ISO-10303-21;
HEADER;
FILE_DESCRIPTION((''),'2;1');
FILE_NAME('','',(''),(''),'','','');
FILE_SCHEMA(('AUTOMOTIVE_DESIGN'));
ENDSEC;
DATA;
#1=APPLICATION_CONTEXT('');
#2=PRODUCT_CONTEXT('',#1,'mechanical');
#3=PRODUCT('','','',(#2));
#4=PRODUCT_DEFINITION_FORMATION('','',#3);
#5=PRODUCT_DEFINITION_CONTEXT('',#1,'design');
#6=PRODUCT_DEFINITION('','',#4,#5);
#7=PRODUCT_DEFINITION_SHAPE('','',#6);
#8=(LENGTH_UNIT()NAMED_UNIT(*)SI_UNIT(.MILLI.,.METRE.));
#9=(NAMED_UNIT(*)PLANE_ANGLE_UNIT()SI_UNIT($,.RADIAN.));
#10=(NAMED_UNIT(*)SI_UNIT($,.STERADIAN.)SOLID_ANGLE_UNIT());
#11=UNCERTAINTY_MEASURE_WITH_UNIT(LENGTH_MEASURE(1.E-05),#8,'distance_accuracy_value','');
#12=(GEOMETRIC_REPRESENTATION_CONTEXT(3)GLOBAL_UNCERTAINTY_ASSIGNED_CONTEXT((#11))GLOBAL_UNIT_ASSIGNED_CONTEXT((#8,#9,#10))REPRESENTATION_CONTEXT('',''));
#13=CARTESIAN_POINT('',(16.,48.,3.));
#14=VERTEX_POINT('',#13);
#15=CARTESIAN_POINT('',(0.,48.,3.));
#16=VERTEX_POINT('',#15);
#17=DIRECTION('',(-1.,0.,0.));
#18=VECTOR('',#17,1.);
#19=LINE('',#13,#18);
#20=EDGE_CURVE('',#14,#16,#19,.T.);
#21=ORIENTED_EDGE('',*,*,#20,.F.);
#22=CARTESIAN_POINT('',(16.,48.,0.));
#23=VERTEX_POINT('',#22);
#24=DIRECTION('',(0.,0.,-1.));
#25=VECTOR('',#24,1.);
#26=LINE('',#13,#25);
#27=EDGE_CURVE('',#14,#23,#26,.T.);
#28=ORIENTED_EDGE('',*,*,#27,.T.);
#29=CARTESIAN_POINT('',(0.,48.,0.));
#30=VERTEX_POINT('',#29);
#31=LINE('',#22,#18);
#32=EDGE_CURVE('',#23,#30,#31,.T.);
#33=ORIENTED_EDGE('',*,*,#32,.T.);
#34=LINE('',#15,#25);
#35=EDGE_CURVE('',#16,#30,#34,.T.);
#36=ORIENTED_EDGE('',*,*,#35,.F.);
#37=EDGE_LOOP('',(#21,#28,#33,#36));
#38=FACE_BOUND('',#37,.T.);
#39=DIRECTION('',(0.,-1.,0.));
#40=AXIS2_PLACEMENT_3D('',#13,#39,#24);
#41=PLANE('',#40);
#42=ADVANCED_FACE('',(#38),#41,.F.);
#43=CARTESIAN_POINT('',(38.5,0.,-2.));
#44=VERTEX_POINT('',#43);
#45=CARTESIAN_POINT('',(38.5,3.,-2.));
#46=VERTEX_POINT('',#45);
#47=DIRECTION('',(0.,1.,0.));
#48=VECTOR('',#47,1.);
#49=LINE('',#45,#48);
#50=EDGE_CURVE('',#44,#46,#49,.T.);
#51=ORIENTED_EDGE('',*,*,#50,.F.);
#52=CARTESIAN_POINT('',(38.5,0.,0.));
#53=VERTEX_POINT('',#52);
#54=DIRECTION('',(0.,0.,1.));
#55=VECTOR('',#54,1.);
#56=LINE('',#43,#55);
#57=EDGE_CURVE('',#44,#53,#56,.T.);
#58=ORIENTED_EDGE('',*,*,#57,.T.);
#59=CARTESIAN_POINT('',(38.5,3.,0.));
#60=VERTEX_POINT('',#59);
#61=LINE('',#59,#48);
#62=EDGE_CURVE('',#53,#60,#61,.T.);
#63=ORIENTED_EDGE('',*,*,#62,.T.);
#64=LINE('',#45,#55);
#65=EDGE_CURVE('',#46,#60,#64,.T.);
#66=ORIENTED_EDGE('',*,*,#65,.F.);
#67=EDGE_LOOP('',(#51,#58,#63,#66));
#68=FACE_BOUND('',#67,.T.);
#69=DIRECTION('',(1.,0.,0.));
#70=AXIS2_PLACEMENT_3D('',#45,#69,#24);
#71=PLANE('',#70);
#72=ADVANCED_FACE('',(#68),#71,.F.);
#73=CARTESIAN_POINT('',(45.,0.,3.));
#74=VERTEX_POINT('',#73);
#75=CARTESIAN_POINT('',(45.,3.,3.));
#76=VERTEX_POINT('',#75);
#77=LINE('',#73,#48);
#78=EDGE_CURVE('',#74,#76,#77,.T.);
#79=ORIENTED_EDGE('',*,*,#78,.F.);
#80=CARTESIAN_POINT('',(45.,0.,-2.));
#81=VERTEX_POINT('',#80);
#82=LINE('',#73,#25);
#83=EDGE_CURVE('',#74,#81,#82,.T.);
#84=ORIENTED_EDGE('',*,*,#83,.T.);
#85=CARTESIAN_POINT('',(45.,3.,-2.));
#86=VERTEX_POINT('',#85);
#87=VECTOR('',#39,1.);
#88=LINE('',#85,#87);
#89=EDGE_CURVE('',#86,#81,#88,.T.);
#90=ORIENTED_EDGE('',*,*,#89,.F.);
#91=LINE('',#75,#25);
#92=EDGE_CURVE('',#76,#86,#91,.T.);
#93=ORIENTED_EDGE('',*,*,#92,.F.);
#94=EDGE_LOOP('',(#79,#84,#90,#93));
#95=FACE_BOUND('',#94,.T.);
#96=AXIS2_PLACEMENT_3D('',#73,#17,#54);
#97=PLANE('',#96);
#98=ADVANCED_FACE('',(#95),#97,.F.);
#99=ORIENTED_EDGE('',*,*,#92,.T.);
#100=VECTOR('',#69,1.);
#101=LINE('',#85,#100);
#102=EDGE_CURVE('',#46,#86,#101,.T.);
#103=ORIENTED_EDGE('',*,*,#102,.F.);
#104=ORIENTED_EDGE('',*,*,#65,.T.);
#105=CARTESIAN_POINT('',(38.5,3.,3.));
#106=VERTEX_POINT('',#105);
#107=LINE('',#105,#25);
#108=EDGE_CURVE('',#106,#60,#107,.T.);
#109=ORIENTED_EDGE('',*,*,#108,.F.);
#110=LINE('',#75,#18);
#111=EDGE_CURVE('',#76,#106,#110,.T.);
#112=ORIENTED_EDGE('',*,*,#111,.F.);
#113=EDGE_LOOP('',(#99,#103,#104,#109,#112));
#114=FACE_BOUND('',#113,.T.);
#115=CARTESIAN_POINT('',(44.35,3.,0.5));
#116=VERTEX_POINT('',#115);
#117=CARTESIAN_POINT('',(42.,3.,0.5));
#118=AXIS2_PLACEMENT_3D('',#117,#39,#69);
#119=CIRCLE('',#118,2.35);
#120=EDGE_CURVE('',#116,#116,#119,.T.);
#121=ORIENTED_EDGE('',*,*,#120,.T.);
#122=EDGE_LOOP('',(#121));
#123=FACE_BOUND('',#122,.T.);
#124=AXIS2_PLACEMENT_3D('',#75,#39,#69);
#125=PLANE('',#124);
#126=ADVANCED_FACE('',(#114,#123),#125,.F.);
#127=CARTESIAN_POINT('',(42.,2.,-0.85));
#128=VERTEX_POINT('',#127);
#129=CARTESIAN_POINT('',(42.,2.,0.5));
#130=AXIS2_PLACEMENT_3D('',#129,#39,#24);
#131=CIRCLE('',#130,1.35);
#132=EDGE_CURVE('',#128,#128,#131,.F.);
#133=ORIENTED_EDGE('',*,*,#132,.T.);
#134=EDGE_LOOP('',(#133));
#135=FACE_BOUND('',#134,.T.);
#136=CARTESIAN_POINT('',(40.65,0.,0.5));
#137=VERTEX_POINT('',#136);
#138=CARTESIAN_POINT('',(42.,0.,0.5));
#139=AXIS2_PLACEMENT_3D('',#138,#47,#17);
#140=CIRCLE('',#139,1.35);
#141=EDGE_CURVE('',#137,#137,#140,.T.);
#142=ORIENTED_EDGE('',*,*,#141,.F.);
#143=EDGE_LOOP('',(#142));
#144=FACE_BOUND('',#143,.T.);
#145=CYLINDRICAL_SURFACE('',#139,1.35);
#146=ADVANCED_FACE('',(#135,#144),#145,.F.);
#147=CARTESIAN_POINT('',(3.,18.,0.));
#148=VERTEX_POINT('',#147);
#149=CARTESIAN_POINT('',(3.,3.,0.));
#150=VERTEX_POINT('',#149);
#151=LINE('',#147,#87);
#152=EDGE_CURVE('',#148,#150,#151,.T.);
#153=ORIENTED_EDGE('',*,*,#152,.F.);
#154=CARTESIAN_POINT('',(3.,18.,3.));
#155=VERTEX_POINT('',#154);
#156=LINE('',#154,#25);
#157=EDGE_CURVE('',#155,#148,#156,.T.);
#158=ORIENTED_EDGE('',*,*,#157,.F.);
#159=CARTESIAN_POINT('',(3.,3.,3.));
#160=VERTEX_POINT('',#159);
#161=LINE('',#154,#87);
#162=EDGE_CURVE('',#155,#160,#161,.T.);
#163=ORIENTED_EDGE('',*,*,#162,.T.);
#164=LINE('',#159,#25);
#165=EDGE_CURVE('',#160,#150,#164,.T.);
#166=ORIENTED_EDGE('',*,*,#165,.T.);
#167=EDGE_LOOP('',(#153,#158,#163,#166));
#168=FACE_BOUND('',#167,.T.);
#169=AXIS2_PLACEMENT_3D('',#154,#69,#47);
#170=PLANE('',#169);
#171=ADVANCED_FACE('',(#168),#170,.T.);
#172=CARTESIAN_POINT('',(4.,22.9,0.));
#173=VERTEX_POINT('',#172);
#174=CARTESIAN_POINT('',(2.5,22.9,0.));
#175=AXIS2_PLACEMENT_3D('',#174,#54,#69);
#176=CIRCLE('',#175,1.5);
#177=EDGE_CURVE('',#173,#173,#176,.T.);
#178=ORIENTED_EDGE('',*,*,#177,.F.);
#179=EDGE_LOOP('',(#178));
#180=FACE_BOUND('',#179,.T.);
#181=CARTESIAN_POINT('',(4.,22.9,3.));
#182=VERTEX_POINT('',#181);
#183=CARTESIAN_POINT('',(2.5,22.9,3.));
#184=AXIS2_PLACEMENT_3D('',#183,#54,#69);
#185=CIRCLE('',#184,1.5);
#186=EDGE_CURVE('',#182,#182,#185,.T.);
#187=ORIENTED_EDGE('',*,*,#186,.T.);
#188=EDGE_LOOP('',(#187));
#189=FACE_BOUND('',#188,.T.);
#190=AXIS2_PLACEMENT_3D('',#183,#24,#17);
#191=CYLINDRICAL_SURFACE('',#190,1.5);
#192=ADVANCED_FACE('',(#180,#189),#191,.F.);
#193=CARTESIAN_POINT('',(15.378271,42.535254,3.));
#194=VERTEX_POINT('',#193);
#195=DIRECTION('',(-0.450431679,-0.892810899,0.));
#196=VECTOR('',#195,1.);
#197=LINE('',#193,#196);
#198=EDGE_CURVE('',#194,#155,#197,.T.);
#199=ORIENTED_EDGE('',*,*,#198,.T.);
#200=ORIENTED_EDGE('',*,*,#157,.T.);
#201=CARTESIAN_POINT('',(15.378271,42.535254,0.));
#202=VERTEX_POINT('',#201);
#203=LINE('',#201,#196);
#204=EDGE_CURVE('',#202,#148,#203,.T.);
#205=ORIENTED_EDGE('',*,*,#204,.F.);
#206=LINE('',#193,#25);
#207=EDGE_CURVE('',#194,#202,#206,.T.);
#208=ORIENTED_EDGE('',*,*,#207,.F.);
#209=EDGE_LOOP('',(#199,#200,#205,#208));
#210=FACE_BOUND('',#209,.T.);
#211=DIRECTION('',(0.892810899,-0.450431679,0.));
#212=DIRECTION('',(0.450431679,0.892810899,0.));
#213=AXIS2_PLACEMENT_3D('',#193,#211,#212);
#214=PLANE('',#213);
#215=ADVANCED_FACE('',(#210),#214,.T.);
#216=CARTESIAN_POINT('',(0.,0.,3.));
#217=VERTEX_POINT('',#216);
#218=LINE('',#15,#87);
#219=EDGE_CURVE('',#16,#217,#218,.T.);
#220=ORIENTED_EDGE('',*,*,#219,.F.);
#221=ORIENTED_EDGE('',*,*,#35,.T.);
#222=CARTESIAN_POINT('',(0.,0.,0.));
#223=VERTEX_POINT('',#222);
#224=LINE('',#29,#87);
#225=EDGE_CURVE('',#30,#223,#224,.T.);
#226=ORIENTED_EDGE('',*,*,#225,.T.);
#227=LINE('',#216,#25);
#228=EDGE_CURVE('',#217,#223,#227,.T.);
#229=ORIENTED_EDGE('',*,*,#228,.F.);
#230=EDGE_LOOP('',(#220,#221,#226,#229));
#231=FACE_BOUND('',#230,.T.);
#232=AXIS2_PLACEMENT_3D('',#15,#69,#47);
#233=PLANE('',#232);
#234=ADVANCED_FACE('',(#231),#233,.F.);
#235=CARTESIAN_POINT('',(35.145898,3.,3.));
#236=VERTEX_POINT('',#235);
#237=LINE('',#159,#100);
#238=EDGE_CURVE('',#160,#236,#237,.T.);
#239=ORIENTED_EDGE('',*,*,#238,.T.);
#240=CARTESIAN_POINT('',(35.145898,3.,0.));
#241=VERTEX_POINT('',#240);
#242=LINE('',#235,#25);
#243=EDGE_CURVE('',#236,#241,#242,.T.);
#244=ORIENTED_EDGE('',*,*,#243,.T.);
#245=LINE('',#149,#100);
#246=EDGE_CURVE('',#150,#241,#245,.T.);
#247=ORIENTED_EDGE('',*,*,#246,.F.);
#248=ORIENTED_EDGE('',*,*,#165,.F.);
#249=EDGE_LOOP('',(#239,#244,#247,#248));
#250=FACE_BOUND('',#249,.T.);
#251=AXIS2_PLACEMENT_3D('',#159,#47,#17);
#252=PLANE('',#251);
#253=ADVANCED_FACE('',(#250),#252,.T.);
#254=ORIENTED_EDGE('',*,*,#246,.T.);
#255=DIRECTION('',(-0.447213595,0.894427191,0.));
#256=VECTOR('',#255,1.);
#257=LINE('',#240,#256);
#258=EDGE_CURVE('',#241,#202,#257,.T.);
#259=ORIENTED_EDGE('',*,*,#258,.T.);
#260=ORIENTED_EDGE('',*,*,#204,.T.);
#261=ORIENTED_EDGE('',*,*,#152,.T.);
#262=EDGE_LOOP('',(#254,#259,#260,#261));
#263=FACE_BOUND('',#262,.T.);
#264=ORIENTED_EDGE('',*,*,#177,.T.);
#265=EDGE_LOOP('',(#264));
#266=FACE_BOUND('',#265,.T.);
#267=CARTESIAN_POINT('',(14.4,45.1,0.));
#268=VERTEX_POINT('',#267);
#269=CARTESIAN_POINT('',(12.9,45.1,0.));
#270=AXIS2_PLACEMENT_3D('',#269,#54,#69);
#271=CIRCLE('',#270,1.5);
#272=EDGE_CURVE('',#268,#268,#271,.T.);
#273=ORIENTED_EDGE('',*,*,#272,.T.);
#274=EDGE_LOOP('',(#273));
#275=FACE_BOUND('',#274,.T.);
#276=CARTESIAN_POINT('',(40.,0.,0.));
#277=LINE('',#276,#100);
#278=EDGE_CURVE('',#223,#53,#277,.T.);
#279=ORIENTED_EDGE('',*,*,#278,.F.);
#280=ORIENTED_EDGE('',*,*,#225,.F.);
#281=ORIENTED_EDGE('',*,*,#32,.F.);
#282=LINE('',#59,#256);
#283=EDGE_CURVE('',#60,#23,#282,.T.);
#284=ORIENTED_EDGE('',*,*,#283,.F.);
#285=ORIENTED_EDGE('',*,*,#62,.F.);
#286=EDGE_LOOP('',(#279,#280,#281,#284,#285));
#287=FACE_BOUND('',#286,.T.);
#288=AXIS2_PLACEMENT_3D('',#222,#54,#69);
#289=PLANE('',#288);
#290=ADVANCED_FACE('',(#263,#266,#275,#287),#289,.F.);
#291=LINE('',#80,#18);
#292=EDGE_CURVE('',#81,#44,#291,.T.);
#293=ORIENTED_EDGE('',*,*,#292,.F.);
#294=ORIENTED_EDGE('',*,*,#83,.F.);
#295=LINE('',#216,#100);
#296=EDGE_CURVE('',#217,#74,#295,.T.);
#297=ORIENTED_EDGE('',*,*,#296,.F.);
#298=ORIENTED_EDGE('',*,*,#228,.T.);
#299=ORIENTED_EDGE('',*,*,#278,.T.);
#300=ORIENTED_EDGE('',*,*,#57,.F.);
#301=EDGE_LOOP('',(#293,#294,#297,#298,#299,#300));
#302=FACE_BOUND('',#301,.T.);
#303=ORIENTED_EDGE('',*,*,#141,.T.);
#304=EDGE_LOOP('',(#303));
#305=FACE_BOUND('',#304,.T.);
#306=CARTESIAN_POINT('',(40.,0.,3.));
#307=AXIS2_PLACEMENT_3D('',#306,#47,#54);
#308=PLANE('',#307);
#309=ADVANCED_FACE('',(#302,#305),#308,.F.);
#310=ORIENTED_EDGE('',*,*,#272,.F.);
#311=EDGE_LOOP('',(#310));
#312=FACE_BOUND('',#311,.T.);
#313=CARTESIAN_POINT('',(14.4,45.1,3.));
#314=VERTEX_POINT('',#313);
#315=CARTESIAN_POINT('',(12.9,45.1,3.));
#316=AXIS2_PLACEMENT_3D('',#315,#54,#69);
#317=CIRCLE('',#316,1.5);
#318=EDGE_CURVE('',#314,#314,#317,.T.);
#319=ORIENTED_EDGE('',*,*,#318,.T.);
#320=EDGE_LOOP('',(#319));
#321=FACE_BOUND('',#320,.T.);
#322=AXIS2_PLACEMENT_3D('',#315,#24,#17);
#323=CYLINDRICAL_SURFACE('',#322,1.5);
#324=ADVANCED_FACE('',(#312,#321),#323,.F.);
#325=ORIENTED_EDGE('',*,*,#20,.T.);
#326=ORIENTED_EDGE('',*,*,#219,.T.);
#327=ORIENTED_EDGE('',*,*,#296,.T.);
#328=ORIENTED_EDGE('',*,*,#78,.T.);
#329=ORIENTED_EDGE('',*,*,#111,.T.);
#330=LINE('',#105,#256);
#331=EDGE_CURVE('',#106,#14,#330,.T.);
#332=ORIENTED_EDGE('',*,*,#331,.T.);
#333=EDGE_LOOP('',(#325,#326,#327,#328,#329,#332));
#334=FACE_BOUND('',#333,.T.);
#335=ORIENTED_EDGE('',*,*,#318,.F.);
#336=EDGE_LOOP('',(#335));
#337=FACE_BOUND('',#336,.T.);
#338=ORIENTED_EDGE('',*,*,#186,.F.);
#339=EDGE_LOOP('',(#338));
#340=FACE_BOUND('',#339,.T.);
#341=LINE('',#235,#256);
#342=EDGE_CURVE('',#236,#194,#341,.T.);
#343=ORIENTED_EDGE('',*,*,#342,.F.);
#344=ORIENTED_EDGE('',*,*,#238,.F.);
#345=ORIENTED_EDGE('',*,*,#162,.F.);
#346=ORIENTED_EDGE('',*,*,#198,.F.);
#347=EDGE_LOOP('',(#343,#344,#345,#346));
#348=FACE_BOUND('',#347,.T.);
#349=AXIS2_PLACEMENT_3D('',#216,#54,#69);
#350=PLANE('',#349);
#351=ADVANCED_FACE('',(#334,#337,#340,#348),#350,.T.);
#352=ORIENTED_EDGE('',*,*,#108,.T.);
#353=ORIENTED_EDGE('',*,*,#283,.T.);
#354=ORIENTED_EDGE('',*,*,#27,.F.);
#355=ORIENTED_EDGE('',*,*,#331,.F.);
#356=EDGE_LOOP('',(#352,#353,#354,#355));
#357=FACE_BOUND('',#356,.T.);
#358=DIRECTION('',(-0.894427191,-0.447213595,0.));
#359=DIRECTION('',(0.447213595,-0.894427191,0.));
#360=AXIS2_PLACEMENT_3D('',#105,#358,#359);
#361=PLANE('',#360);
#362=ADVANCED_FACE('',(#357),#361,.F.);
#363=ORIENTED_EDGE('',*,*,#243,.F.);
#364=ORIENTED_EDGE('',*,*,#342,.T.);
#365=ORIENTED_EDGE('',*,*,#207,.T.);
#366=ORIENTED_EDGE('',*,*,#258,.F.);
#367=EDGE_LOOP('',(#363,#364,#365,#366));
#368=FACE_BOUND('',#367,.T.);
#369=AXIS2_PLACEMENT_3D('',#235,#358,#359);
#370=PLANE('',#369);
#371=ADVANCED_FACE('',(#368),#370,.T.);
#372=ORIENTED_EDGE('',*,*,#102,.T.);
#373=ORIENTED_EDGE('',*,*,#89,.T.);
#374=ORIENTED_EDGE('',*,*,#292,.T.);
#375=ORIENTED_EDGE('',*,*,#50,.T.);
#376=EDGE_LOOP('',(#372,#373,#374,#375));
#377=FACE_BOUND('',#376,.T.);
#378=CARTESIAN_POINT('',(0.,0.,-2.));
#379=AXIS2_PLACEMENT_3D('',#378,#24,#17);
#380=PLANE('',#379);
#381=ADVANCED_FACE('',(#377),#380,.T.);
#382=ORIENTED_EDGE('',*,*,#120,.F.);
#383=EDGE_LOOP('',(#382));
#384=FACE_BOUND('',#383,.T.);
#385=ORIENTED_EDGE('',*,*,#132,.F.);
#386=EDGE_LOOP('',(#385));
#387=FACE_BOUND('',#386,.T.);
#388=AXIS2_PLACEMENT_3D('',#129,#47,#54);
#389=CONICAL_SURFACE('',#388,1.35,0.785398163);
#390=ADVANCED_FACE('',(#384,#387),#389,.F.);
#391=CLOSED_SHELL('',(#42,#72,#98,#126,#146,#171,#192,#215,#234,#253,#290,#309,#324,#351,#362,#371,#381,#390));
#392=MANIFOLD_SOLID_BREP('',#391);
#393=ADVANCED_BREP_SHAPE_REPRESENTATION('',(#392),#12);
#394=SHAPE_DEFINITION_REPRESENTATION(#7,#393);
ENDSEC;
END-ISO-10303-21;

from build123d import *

# Parameters (mm, degrees)
SKICA1_R                 = 1.5
P_IDAT_VYSUNUT_M1_DEPTH  = 3
SKICA3_W                 = 6.5
SKICA3_H                 = 3
P_IDAT_VYSUNUT_M2_DEPTH  = 2
SKICA4_R                 = 1.35
ODEBRAT_VYSUNUT_M1_DEPTH = 3
ZKOSEN_1_SIZE            = 1


with BuildPart() as part:
    # Skica1 → Přidat vysunutím1 (new body)
    with BuildSketch(Plane.XY):
        Polygon((0, 0), (40, 0), (45, 0), (45, 3), (38.5, 3), (16, 48), (0, 48), align=None)
        with Locations((2.5, 22.9)):
            Circle(SKICA1_R, mode=Mode.SUBTRACT)
        with Locations((12.9, 45.1)):
            Circle(SKICA1_R, mode=Mode.SUBTRACT)
        Polygon((3, 3), (35.145898034, 3), (15.37827124, 42.535253588), (3, 18), align=None, mode=Mode.SUBTRACT)
    extrude(amount=P_IDAT_VYSUNUT_M1_DEPTH)

    # Skica3 → Přidat vysunutím2 (add)
    with BuildSketch(Plane(origin=(0, 0, 0), x_dir=(-1, 0, 0), z_dir=(0, 0, -1))):
        with Locations((-41.75, 1.5)):
            Rectangle(SKICA3_W, SKICA3_H)
    extrude(amount=P_IDAT_VYSUNUT_M2_DEPTH)

    # Skica4 → Odebrat vysunutím1 (cut)
    with BuildSketch(Plane(origin=(0, 3, 0), x_dir=(1, 0, 0), z_dir=(0, 1, 0))):
        with Locations((42, -0.5)):
            Circle(SKICA4_R)
    extrude(amount=-ODEBRAT_VYSUNUT_M1_DEPTH, mode=Mode.SUBTRACT)

    # Zkosení1
    zkosen_1_edges = [part.edges().sort_by_distance(p)[0] for p in [
        (40.65, 3, 0.5),
    ]]
    chamfer(zkosen_1_edges, length=ZKOSEN_1_SIZE)


solid = part.part
